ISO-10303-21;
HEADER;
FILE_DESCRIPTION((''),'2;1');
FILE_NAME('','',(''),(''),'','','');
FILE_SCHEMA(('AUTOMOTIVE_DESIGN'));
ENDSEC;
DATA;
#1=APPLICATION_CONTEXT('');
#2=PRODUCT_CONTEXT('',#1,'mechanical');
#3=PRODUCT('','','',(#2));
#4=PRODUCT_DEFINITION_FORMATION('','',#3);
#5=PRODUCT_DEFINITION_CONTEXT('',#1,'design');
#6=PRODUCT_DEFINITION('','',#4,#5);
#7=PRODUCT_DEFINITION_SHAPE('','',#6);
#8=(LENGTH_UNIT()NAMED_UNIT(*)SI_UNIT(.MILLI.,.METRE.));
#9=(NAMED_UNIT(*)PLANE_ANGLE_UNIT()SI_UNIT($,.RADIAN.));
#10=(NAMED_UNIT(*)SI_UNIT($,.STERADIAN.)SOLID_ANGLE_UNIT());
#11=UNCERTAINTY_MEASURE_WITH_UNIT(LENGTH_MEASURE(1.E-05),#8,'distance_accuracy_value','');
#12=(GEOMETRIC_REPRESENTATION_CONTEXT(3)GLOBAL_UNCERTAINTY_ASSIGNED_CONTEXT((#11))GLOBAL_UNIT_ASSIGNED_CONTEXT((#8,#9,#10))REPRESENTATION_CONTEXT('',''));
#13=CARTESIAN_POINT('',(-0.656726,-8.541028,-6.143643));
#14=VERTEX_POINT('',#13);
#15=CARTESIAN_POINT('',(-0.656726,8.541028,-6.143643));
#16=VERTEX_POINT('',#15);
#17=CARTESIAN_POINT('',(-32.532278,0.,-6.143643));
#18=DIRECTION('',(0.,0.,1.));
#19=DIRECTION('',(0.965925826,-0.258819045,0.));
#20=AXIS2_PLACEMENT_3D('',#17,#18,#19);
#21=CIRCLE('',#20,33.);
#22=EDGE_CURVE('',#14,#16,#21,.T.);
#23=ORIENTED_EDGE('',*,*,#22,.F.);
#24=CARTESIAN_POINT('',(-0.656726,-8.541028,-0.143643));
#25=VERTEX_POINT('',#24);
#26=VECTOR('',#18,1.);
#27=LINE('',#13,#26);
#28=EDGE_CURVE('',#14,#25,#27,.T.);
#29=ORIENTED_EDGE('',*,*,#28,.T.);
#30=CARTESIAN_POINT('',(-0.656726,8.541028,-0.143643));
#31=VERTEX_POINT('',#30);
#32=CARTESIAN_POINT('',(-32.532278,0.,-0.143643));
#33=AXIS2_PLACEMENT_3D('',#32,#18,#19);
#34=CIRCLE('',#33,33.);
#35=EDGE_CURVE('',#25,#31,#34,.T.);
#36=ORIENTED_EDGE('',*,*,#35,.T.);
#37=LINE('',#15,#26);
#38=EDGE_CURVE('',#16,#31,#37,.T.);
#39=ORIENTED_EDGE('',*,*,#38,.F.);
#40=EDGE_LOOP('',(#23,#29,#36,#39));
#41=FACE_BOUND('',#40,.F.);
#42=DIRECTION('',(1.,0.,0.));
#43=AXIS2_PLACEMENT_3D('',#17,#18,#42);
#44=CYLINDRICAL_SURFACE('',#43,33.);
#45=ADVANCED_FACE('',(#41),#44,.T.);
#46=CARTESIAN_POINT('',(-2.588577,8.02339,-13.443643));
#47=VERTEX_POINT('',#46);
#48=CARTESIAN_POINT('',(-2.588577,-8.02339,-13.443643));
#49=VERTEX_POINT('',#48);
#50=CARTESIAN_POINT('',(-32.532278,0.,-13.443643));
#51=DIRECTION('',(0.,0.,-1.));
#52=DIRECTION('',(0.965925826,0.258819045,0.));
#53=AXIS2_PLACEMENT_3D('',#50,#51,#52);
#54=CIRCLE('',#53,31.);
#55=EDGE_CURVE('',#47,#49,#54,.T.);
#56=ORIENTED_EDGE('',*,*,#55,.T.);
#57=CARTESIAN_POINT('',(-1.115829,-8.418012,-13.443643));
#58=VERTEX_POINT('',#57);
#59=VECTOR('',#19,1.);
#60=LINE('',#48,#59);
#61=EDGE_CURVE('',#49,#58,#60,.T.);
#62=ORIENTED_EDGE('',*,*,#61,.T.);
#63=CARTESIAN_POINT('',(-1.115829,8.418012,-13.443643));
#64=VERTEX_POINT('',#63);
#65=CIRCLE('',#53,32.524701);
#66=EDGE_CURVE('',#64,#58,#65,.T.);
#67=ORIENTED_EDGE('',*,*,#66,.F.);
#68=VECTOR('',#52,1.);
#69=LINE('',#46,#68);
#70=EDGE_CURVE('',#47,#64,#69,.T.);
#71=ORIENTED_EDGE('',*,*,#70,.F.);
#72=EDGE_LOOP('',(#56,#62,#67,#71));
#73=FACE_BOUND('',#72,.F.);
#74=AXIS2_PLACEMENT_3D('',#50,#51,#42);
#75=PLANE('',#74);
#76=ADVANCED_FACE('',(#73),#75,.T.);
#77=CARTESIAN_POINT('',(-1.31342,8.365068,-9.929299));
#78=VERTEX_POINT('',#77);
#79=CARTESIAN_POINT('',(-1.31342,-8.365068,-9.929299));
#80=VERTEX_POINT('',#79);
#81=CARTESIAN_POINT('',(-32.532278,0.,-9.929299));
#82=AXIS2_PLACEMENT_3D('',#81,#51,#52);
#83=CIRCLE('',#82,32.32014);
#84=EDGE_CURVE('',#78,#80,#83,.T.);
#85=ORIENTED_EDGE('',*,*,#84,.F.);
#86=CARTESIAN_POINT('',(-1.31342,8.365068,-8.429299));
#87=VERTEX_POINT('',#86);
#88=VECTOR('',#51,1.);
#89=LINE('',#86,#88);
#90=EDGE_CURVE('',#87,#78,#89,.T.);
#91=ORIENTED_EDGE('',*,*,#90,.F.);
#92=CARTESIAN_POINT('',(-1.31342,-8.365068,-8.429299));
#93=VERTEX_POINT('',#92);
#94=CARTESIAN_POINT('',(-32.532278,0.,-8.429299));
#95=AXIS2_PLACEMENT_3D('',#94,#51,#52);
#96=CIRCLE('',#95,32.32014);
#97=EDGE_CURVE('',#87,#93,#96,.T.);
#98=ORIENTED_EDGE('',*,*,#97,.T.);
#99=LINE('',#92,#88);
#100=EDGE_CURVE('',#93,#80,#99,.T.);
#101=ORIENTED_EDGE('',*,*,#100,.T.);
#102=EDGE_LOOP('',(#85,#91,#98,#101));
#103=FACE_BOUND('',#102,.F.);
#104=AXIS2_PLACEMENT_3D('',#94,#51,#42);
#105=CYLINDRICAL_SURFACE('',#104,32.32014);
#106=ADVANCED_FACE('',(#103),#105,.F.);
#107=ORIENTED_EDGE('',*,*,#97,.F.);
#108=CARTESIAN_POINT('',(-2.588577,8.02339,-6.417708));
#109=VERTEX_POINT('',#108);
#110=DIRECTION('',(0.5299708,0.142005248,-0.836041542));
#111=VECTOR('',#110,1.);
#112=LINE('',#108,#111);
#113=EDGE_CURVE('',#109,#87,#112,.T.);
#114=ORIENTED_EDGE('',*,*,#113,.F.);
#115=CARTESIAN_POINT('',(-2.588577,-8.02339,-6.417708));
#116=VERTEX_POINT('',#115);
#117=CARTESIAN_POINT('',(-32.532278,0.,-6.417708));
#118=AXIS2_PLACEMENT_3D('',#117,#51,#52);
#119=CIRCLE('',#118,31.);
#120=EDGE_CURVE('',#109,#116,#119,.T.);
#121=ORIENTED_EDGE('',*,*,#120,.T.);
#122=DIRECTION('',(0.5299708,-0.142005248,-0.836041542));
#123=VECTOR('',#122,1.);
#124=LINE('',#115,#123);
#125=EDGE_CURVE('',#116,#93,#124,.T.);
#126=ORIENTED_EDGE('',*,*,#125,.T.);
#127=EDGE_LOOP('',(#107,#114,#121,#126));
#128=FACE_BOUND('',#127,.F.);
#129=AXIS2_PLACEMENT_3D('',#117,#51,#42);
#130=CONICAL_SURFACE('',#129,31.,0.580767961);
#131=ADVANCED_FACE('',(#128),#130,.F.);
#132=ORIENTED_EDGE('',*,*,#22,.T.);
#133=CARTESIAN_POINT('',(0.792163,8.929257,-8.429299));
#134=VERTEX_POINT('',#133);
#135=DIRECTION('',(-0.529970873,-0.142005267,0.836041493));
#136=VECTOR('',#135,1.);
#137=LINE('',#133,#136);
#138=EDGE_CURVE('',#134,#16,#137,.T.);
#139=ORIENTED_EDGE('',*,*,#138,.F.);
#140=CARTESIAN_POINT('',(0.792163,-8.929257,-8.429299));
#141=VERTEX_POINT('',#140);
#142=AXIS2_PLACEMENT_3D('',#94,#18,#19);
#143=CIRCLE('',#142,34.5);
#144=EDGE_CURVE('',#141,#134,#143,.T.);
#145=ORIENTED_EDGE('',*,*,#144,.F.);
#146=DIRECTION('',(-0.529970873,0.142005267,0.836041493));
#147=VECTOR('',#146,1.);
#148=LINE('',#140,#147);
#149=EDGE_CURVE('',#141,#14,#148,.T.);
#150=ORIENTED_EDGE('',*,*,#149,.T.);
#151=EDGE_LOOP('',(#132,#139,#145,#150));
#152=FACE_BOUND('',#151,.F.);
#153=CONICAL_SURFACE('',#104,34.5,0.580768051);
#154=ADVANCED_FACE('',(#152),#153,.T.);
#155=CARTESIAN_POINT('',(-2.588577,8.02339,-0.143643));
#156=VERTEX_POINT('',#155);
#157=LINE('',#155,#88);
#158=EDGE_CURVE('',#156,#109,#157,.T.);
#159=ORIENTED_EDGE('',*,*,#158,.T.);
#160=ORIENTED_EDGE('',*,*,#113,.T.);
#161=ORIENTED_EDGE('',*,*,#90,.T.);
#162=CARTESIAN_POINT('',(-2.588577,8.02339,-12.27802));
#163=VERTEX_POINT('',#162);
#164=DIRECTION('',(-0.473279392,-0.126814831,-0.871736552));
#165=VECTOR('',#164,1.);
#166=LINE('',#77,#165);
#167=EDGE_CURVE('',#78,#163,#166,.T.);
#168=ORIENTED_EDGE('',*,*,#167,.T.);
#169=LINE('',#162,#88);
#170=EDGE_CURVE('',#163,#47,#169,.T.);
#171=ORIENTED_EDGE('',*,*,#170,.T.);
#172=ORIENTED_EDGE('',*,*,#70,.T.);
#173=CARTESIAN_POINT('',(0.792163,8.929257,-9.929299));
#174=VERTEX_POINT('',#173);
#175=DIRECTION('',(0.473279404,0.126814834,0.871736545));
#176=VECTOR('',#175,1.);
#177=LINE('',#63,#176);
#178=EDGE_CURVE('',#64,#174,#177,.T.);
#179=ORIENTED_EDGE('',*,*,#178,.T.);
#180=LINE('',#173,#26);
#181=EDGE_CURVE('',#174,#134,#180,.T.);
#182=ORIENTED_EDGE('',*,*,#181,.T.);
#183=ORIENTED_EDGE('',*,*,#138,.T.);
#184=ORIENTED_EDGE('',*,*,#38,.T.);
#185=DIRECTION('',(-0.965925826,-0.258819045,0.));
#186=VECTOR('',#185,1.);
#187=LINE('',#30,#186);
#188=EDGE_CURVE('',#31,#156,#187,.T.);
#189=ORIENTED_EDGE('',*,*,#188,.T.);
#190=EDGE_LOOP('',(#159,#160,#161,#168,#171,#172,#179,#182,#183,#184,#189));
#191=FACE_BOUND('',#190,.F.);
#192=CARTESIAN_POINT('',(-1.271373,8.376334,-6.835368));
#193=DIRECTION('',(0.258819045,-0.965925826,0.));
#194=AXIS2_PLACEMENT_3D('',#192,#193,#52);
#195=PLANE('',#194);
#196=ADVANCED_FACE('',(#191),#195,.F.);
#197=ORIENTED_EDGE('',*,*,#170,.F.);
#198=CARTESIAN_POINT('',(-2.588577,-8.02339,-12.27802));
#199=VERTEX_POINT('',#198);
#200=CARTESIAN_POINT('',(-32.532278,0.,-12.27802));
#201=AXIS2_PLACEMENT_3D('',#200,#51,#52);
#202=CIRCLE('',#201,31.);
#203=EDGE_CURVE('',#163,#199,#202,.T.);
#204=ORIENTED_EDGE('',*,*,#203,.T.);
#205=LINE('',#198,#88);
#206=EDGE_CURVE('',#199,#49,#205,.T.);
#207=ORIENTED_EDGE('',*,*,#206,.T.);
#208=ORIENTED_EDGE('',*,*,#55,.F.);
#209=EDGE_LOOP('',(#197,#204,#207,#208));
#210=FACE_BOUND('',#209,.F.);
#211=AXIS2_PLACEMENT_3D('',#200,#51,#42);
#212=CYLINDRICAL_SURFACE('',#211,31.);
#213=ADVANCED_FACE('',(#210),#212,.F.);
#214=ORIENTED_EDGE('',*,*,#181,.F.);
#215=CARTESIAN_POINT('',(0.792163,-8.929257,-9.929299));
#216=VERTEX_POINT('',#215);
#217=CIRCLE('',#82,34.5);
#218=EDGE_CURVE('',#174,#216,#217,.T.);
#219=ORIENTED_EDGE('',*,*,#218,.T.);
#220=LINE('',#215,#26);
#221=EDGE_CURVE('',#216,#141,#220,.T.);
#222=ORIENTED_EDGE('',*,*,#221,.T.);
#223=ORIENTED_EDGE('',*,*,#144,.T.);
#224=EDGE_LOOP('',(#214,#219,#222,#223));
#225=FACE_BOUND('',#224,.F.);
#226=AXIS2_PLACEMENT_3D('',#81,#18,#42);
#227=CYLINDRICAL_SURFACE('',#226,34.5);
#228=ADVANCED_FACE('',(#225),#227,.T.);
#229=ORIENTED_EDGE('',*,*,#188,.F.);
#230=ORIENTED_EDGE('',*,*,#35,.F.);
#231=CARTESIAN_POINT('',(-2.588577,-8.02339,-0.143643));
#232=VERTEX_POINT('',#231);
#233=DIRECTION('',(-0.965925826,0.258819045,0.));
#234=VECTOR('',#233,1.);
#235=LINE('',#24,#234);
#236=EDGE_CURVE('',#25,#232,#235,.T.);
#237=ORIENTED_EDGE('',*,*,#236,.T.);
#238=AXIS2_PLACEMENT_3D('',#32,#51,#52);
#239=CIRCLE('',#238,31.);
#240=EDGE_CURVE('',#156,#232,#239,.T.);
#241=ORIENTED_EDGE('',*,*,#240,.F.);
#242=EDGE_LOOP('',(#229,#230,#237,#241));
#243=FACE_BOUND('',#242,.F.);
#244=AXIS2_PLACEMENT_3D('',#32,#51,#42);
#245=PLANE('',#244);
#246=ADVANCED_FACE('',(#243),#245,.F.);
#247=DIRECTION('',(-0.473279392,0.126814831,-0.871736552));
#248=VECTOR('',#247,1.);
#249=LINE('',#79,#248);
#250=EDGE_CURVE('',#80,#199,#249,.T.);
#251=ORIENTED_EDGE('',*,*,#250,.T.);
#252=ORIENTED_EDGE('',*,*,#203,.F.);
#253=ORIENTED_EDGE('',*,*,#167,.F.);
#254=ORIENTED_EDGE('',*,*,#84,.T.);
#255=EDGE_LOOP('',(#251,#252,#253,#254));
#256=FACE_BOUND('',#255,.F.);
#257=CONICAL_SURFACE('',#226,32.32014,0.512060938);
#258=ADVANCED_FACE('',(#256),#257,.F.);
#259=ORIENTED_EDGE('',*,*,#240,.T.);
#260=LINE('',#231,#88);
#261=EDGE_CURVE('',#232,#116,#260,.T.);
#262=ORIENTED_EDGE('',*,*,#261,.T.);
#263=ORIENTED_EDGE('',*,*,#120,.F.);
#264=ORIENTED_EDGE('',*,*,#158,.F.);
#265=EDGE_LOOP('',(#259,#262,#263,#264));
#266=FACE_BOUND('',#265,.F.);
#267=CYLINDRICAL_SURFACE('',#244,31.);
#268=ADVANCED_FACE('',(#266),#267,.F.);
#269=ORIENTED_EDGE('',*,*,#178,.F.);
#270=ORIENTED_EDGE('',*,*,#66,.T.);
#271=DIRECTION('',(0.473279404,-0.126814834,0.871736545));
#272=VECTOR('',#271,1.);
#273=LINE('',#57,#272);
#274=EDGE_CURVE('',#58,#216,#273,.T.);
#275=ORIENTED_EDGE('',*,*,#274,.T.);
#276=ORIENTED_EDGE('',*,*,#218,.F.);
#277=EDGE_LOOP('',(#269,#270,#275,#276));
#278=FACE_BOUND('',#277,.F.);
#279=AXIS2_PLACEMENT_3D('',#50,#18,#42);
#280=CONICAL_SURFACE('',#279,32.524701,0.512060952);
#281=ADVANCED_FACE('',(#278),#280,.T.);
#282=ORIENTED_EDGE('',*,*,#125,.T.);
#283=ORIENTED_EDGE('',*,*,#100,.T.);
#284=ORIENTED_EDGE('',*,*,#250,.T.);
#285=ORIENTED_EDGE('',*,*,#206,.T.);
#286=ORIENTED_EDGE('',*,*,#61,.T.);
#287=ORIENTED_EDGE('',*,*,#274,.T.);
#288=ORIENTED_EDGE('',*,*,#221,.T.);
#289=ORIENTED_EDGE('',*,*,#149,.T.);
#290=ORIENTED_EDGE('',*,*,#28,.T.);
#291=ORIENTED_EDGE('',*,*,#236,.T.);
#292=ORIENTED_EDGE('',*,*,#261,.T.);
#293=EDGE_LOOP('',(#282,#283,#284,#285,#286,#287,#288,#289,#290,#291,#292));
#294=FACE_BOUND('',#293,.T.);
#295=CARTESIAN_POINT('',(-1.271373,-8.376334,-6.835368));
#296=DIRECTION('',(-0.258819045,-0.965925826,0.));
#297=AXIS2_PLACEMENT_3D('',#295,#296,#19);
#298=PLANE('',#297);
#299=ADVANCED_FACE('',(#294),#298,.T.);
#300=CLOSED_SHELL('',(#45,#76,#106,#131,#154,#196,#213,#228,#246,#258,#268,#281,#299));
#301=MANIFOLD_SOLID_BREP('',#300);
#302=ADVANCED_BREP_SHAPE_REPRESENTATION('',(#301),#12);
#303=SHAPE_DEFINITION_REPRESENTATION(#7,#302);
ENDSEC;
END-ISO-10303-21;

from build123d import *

# Parameters (mm, degrees)
F1_ANGLE = 30


with BuildPart() as f1:
    # F0 (on Front) → F1 (revolve, symmetric)
    with BuildSketch(Plane.XZ) as f1_sk:
        Polygon((0.467722, -0.143643), (-1.532278, -0.143643), (-1.532278, -6.143643), (-1.532278, -6.417708), (-0.212138, -8.429299), (-0.212138, -9.929299), (-1.532278, -12.27802), (-1.532278, -13.443643), (-0.007577, -13.443643), (1.967722, -9.929299), (1.967722, -8.429299), (0.467722, -6.143643), align=None)
    revolve(axis=Axis((-32.532278, 0, -1.684785), (0, 0, 1)), revolution_arc=F1_ANGLE / 2)
    revolve(f1_sk.sketch, axis=Axis((-32.532278, 0, -1.684785), (0, 0, -1)), revolution_arc=F1_ANGLE / 2)


solid = f1.part
